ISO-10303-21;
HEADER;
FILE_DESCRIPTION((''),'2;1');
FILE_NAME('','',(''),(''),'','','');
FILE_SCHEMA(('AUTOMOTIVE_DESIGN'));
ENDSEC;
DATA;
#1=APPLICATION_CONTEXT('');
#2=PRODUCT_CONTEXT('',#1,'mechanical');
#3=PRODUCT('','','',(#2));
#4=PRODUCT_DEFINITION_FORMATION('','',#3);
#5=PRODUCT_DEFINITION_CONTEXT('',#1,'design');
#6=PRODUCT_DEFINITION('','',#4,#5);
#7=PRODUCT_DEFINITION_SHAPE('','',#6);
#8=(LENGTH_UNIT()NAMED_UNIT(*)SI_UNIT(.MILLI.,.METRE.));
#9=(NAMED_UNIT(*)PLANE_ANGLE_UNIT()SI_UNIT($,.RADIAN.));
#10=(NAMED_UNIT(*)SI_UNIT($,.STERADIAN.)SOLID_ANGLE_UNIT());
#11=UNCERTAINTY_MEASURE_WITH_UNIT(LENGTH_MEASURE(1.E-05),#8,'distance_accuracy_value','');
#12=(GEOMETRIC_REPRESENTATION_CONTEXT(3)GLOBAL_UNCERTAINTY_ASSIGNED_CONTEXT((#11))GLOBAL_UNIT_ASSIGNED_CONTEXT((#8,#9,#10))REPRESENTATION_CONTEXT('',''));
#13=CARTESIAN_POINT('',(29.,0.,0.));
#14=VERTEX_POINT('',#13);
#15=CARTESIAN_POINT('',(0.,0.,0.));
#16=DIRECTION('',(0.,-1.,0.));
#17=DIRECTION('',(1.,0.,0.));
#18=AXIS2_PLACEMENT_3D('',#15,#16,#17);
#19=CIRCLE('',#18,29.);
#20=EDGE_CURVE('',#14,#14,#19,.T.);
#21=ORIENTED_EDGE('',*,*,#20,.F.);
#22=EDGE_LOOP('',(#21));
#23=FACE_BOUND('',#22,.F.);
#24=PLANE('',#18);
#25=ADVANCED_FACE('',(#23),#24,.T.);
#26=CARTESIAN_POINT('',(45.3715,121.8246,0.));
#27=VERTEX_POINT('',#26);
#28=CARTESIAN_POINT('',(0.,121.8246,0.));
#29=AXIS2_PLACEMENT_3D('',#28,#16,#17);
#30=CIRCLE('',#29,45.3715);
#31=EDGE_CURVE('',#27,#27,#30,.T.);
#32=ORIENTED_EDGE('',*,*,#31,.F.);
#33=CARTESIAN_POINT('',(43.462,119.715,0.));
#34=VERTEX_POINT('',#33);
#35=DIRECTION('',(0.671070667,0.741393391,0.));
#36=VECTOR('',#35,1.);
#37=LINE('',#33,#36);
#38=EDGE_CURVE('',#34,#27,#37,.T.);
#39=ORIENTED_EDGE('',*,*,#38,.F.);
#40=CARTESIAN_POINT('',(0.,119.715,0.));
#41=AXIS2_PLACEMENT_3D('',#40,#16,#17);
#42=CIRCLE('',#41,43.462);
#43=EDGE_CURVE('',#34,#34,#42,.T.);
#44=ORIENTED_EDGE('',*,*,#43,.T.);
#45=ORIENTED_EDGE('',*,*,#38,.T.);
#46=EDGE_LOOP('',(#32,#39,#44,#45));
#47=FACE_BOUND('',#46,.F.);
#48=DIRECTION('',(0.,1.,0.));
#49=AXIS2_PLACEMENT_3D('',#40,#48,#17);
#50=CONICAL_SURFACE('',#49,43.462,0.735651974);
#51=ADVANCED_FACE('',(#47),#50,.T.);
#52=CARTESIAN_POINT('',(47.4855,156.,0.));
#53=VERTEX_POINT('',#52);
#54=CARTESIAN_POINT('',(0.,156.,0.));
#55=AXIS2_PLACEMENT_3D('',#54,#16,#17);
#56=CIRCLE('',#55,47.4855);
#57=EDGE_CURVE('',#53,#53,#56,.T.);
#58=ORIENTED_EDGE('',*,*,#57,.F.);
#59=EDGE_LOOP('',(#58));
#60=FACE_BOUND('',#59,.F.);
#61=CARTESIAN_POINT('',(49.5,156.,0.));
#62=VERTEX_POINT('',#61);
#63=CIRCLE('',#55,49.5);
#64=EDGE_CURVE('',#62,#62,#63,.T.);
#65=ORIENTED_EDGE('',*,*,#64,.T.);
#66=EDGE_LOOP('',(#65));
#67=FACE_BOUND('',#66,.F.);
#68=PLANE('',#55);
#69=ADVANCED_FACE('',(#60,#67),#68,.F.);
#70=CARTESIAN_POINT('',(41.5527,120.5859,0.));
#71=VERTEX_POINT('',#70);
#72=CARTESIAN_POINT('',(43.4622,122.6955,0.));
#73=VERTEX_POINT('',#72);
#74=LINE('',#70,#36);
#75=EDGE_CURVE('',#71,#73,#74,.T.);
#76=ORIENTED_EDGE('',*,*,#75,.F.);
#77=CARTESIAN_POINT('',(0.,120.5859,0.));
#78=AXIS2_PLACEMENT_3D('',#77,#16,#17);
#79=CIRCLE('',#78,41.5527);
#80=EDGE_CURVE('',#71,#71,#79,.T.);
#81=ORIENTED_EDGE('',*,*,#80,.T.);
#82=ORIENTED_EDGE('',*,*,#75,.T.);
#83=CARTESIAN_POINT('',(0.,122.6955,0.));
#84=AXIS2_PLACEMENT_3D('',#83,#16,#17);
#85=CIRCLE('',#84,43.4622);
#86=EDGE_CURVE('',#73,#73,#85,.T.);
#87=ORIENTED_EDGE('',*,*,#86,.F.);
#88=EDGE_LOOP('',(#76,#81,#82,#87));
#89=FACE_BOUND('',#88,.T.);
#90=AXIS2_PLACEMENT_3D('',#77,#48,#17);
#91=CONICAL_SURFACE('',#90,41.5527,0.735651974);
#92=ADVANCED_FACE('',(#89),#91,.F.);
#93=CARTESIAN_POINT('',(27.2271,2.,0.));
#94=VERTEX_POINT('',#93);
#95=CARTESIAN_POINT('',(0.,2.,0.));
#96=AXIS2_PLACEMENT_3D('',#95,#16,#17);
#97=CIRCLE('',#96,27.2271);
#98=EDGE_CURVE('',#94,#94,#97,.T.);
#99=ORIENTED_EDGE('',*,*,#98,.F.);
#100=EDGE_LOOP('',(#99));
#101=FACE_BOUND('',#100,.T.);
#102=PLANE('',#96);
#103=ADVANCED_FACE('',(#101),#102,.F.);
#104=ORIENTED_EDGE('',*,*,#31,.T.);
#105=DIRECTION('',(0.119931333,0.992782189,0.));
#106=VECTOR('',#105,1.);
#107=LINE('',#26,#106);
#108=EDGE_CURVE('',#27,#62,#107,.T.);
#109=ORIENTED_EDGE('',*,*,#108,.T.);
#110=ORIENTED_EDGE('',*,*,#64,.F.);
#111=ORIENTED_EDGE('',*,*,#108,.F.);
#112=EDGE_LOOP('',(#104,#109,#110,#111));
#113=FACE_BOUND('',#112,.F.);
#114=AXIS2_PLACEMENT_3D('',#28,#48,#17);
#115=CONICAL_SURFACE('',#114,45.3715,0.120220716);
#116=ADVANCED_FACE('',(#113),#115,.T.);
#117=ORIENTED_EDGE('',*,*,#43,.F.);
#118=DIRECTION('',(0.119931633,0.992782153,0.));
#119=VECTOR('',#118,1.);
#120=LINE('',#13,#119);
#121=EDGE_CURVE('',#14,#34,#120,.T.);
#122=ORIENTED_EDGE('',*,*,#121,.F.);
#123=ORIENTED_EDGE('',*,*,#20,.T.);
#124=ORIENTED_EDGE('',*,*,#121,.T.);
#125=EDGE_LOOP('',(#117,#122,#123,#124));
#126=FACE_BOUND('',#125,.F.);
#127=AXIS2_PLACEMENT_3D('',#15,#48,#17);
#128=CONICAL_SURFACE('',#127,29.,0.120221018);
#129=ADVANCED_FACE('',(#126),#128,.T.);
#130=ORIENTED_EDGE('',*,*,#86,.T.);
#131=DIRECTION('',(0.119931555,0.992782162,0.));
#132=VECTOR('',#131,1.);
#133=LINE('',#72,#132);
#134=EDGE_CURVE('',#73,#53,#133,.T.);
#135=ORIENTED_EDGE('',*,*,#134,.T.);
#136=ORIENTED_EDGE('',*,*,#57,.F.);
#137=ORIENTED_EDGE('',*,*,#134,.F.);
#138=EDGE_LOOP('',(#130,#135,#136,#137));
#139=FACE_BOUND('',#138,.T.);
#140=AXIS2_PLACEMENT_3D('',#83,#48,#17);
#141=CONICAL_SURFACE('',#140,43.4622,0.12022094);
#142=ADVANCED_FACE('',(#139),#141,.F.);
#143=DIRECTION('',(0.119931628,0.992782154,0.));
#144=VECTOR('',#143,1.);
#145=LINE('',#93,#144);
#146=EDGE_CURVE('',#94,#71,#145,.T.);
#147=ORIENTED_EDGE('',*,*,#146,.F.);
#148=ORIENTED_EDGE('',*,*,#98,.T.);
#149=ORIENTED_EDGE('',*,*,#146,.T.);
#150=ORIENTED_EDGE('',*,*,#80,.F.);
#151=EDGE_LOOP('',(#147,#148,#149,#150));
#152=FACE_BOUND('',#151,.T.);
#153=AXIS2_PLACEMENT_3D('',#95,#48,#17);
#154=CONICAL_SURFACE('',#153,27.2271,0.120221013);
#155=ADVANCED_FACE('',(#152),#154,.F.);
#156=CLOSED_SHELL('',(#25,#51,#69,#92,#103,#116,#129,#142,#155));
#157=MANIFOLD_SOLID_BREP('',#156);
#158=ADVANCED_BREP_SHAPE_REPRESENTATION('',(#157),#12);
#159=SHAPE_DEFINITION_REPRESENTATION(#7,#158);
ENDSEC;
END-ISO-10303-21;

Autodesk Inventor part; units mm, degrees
ref_plane "YZ Plane" through (0, 0, 0) normal (1, 0, 0) x (0, 1, 0)
ref_plane "XZ Plane" through (0, 0, 0) normal (0, 1, 0) x (-1, 0, 0)
ref_plane "XY Plane" through (0, 0, 0) normal (0, 0, 1) x (1, 0, 0)
sketch "Sketch1" plane through (0, 0, 0) normal (0, 0, 1) x (1, 0, 0)
  line L0 (0, 0) -> (29, 0)
  line L1 (29, 0) -> (43.462, 119.715)
  line L2 (43.462, 119.715) -> (45.3715, 121.8246)
  line L3 (45.3715, 121.8246) -> (49.5, 156)
  line L4 (49.5, 156) -> (0, 156) construction
  line L5 (0, 156) -> (0, 0) construction
  line L6 (0, 0) -> (0, 2)
  line L7 (0, 2) -> (27.2271, 2)
  line L8 (27.2271, 2) -> (41.5527, 120.5859)
  line L9 (41.5527, 120.5859) -> (43.4622, 122.6955)
  line L10 (43.4622, 122.6955) -> (47.4855, 156)
  line L11 (49.5, 156) -> (47.4855, 156)
  dimension "d1" = 29
  dimension "d2" = 49.5
  dimension "d3" = 156
  dimension "d24" = 2
  dimension "d25" = 2
  dimension "d26" = 2
  dimension "d27" = 2
revolve "Revolution1" add sketch "Sketch1" angle 360 about axis through (0, 156, 0) along (0, -1, 0)
equation "\"d24\" = PopcornCup_Thickness"
equation "\"d25\" = PopcornCup_Thickness"
equation "\"d26\" = PopcornCup_Thickness"
equation "\"d27\" = PopcornCup_Thickness"
equation "\"PopcornCup_Thickness\" = 2"
equation "\"PopcornCup_Base_DiameterMax\" = 58"
properties part number "PopcornCup" material "Polycarbonate, Clear"
